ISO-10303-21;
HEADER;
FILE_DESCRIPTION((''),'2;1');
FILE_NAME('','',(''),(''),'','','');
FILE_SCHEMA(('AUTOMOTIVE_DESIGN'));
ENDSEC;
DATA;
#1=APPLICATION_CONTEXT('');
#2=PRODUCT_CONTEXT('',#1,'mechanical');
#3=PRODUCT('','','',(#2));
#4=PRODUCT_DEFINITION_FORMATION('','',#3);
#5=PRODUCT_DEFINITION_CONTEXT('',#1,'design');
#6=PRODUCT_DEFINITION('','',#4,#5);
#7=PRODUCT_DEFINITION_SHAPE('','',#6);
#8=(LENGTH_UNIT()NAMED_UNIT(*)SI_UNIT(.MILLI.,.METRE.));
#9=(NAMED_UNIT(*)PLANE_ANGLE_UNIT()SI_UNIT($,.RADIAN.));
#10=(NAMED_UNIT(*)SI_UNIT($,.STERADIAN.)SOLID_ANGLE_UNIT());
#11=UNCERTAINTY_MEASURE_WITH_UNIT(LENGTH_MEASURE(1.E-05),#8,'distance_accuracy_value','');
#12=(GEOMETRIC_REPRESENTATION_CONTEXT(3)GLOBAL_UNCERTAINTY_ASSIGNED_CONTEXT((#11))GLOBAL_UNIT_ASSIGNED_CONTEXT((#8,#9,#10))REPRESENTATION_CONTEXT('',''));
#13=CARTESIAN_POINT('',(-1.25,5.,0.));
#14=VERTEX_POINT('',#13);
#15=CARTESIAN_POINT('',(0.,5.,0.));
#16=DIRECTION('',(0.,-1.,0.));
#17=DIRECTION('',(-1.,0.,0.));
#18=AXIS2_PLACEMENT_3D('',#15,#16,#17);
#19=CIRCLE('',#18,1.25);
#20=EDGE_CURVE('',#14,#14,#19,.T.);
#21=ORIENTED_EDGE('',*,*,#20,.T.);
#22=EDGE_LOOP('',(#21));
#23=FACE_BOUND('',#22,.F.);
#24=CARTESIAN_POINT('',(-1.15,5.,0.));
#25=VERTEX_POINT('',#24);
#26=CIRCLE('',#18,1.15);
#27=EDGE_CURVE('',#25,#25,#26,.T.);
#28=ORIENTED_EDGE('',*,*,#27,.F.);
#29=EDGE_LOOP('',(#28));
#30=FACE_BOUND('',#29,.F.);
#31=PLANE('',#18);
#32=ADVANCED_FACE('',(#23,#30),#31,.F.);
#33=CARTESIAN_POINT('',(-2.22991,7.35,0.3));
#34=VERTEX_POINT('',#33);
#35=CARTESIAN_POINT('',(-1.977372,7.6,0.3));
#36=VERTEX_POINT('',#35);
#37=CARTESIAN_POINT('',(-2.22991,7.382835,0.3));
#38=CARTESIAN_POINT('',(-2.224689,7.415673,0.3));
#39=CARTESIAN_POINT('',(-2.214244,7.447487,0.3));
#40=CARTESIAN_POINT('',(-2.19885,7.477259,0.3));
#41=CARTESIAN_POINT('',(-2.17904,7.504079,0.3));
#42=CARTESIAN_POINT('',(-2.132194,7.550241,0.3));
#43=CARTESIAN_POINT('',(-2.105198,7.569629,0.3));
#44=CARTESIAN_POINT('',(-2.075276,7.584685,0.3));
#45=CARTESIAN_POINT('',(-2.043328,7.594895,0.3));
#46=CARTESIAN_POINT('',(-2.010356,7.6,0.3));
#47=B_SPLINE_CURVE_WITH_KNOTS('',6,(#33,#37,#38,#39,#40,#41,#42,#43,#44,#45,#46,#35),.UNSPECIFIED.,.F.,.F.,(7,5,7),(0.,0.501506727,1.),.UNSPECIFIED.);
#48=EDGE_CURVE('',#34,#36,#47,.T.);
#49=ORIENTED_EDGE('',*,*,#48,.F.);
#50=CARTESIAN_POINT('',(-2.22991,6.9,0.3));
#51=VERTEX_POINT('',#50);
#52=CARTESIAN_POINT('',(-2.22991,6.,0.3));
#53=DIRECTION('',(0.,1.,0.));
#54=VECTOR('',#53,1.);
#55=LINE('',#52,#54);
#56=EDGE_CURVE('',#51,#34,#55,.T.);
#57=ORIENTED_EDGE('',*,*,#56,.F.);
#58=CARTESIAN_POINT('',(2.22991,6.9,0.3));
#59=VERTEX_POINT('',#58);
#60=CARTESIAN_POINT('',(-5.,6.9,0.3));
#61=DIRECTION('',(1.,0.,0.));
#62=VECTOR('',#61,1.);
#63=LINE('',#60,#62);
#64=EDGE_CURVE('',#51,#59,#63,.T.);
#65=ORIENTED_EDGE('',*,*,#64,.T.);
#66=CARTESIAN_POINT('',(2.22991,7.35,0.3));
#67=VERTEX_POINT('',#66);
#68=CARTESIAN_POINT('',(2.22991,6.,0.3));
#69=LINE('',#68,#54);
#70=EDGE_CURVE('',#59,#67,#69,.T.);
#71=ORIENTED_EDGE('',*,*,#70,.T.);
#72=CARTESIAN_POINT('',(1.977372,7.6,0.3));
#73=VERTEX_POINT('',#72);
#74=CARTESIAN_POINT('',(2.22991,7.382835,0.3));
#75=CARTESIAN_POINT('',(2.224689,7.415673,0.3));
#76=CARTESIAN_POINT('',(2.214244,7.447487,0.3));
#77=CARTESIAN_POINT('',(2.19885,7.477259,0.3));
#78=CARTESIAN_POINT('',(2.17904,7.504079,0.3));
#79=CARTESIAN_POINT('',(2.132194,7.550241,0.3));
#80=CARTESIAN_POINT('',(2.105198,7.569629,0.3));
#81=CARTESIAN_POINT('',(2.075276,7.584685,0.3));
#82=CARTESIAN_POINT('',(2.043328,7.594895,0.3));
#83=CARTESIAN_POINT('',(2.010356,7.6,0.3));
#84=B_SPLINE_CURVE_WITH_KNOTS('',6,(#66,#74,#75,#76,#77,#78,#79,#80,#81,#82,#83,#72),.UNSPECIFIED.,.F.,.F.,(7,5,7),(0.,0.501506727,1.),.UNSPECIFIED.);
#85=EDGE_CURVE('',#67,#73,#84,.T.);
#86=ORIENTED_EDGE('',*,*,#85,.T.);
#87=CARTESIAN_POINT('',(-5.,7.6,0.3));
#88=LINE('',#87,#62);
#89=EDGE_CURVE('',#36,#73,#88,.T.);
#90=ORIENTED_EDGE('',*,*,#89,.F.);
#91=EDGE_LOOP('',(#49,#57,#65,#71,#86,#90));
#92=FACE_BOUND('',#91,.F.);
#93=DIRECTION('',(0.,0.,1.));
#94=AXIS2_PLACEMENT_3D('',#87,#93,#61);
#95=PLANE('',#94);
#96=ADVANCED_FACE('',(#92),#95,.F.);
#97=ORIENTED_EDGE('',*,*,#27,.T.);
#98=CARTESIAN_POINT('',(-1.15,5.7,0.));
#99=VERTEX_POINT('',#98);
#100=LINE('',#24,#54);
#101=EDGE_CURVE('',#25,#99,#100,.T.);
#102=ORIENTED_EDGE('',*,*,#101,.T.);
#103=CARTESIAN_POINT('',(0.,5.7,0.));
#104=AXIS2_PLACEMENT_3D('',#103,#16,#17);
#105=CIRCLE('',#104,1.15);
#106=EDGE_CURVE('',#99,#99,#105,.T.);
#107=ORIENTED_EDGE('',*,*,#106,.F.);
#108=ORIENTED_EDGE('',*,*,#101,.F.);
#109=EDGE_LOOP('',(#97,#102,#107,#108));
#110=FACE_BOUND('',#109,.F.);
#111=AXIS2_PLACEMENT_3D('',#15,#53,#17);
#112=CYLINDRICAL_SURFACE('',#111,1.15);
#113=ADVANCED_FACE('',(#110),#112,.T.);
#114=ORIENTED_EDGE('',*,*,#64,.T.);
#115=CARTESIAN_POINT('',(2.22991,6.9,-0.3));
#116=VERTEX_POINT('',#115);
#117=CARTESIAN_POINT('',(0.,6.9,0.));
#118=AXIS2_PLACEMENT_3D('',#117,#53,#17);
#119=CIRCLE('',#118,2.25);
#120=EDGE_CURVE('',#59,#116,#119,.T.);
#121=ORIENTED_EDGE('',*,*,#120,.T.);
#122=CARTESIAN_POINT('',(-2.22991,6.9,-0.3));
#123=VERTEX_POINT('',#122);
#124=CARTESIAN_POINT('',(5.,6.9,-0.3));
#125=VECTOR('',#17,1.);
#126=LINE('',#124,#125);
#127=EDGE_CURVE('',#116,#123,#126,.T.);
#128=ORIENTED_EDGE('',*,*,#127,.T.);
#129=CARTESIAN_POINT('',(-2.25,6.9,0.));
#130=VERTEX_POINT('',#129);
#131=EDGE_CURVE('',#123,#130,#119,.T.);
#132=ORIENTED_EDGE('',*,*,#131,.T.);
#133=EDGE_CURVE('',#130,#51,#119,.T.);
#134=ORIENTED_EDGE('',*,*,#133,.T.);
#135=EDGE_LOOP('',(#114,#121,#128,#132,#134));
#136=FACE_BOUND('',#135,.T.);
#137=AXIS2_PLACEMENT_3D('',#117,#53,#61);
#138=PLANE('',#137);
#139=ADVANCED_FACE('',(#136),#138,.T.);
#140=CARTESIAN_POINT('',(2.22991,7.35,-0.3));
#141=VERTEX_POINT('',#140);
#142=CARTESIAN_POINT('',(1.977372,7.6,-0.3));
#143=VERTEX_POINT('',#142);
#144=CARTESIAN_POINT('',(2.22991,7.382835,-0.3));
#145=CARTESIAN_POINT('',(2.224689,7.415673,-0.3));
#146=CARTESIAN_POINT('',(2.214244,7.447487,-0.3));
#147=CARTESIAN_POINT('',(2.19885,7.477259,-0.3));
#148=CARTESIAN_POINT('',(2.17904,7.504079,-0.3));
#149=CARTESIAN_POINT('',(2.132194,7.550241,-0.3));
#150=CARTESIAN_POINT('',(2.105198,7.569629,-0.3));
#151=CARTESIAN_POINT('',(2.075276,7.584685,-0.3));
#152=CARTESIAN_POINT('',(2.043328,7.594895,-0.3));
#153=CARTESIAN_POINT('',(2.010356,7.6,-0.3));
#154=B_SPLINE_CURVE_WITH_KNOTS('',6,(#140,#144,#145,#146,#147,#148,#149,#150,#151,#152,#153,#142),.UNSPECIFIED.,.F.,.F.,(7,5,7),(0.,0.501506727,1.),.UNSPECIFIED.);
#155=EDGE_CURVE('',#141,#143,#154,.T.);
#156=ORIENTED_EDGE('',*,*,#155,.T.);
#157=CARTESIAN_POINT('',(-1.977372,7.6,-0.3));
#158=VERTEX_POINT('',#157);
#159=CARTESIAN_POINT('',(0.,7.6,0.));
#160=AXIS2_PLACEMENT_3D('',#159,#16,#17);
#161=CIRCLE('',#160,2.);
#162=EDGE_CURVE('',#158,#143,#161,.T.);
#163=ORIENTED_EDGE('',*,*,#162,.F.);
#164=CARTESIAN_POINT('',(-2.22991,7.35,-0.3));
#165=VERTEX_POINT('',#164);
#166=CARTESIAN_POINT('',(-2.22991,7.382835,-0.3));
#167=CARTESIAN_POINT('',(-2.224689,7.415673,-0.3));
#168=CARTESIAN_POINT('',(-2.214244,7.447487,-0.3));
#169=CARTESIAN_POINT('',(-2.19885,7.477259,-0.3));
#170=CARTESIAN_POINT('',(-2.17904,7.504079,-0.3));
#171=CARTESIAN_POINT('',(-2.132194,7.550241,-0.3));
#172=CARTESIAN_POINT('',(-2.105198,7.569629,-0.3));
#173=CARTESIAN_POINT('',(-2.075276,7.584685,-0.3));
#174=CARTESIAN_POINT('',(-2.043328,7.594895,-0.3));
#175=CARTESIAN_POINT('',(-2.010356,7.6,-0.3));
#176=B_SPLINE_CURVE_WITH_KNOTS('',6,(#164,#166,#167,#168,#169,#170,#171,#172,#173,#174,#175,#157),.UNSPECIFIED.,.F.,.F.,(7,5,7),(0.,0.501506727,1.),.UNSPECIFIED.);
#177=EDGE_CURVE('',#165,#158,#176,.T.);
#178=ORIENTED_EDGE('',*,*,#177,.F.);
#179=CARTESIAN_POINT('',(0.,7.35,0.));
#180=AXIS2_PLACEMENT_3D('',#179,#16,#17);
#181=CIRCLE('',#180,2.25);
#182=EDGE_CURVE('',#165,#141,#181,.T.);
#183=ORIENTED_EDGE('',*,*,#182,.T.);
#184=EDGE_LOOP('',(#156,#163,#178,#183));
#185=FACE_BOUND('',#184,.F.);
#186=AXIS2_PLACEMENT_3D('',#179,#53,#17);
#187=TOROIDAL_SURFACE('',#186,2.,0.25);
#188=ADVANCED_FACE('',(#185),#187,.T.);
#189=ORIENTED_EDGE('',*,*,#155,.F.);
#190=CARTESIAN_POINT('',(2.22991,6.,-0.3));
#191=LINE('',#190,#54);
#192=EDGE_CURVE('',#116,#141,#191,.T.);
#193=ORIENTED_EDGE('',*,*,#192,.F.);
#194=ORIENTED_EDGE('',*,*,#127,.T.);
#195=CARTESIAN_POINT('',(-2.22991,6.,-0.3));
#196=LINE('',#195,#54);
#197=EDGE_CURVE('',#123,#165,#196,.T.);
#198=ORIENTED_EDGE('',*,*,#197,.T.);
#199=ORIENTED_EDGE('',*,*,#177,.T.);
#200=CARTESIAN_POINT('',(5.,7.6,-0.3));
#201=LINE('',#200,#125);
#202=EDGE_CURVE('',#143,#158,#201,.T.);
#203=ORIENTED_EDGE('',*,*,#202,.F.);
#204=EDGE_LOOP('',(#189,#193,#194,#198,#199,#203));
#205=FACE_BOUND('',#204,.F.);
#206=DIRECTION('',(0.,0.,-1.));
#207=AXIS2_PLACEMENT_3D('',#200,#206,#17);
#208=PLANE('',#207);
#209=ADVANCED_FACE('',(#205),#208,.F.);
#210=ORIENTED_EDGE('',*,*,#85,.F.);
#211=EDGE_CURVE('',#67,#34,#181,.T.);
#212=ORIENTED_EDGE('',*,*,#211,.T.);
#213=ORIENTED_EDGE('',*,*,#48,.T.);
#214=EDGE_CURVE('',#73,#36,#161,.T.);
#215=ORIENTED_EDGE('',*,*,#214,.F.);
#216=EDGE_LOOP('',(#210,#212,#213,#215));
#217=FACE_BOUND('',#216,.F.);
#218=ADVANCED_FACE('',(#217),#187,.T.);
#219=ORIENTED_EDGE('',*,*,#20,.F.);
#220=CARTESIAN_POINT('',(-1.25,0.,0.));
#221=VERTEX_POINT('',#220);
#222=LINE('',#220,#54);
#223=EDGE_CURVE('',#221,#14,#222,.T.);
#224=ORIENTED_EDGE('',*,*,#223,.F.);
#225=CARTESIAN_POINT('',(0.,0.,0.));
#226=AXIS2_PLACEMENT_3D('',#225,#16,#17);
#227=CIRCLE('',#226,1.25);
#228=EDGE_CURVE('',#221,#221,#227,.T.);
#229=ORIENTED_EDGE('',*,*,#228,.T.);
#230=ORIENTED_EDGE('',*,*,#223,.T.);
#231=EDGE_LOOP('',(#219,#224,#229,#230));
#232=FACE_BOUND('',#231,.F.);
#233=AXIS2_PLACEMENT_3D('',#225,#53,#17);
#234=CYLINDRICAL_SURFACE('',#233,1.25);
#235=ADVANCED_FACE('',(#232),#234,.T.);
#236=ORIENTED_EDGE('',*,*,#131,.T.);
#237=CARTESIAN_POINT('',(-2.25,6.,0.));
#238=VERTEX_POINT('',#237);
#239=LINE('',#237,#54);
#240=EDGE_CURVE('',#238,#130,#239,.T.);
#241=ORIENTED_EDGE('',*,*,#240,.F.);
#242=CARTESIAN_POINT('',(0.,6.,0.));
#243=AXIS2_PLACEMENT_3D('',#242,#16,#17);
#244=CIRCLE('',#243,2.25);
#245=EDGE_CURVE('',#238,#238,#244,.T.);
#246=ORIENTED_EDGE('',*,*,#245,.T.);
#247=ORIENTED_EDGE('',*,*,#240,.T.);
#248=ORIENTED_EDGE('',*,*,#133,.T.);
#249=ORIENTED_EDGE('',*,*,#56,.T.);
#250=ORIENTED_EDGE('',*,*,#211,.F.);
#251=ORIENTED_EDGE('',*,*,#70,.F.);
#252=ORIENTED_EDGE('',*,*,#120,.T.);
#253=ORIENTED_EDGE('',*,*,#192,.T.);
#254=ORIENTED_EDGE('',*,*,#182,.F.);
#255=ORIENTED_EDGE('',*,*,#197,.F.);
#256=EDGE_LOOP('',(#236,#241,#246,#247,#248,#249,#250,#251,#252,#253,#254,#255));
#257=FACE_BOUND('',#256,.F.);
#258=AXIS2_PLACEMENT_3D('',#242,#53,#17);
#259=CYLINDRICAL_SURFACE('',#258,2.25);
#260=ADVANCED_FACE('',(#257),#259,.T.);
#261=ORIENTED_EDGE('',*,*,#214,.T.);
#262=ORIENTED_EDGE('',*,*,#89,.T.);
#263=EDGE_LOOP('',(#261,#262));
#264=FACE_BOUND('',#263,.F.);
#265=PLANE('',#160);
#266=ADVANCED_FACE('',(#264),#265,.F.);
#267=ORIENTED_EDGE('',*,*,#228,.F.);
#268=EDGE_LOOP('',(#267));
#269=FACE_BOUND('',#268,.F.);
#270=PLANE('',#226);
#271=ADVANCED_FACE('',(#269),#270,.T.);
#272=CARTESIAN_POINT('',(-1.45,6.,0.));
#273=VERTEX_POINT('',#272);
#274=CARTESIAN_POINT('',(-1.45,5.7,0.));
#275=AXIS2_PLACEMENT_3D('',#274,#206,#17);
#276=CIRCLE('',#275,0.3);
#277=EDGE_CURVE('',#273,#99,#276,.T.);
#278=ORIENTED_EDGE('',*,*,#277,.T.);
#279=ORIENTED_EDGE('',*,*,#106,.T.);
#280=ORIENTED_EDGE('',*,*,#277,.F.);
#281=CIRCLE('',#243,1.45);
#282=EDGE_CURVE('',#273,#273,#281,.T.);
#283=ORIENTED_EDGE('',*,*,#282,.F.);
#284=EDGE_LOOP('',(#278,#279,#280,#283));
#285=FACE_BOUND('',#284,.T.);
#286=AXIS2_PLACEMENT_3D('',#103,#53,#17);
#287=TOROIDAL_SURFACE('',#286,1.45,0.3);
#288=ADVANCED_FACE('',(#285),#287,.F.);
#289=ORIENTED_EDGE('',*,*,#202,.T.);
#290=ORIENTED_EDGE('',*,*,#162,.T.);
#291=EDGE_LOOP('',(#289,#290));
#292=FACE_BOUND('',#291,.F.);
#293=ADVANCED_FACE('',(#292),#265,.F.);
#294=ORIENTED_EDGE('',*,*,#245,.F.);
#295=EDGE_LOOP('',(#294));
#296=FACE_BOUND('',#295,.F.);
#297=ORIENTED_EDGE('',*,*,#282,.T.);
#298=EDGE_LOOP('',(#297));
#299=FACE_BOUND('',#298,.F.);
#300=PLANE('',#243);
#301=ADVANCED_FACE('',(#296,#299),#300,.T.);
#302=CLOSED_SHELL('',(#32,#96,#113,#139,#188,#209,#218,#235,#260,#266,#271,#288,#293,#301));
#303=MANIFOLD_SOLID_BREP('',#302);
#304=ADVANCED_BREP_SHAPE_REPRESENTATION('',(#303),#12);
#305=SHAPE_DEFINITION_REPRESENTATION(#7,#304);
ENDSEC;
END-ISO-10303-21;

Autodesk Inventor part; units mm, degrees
ref_plane "YZ Plane" through (0, 0, 0) normal (1, 0, 0) x (0, 1, 0)
ref_plane "XZ Plane" through (0, 0, 0) normal (0, 1, 0) x (-1, 0, 0)
ref_plane "XY Plane" through (0, 0, 0) normal (0, 0, 1) x (1, 0, 0)
sketch "Sketch1" plane through (0, 0, 0) normal (0, 0, 1) x (1, 0, 0)
  line L0 (0, 0) -> (-1.25, 0)
  line L1 (-1.25, 0) -> (-1.25, 5)
  line L2 (-1.25, 5) -> (-1.15, 5)
  line L3 (-1.15, 5) -> (-1.15, 6)
  line L4 (-1.15, 6) -> (-2.25, 6)
  line L5 (-2.25, 6) -> (-2.25, 7.6)
  line L6 (-2.25, 7.6) -> (0, 7.6)
  line L7 (0, 7.6) -> (0, 0)
  dimension "d0" = 1.6
  dimension "d1" = 2.25
  dimension "d2" = 1.25
  dimension "d3" = 0.1
  dimension "d4" = 1
  dimension "d5" = 7.6
  dimension "d6" = 90
revolve "Revolution1" add sketch "Sketch1" angle 360 about axis through (0, 7.6, 0) along (0, -1, 0)
thread "Thread1" size "M3x0.5" class "6g" standard "ANSI Metric M Profile" length 27
sketch "Sketch2" plane through (0, 7.6, 0) normal (0, 1, 0) x (1, 0, 0)
  line L0 (5, 0.3) -> (-5, 0.3)
  line L1 (-5, 0.3) -> (-5, -0.3)
  line L2 (-5, -0.3) -> (5, -0.3)
  line L3 (5, -0.3) -> (5, 0.3)
  line L4 (5, 0.3) -> (-5, -0.3) construction
  line L5 (-5, 0.3) -> (5, -0.3) construction
  point P0 (0, 0)
  dimension "d10" = 10
  dimension "d11" = 0.6
fillet "Fillet1" radius 0.25 1 edges at (2.25, 7.6, 0)
extrude "Extrusion2" cut sketch "Sketch2" against normal blind 0.7
fillet "Fillet2" radius 0.3 1 edges at (1.15, 6, 0)
properties part number "Screw-CheeseHead-Brass-M2.5x08" material "Brass, Soft Yellow"
